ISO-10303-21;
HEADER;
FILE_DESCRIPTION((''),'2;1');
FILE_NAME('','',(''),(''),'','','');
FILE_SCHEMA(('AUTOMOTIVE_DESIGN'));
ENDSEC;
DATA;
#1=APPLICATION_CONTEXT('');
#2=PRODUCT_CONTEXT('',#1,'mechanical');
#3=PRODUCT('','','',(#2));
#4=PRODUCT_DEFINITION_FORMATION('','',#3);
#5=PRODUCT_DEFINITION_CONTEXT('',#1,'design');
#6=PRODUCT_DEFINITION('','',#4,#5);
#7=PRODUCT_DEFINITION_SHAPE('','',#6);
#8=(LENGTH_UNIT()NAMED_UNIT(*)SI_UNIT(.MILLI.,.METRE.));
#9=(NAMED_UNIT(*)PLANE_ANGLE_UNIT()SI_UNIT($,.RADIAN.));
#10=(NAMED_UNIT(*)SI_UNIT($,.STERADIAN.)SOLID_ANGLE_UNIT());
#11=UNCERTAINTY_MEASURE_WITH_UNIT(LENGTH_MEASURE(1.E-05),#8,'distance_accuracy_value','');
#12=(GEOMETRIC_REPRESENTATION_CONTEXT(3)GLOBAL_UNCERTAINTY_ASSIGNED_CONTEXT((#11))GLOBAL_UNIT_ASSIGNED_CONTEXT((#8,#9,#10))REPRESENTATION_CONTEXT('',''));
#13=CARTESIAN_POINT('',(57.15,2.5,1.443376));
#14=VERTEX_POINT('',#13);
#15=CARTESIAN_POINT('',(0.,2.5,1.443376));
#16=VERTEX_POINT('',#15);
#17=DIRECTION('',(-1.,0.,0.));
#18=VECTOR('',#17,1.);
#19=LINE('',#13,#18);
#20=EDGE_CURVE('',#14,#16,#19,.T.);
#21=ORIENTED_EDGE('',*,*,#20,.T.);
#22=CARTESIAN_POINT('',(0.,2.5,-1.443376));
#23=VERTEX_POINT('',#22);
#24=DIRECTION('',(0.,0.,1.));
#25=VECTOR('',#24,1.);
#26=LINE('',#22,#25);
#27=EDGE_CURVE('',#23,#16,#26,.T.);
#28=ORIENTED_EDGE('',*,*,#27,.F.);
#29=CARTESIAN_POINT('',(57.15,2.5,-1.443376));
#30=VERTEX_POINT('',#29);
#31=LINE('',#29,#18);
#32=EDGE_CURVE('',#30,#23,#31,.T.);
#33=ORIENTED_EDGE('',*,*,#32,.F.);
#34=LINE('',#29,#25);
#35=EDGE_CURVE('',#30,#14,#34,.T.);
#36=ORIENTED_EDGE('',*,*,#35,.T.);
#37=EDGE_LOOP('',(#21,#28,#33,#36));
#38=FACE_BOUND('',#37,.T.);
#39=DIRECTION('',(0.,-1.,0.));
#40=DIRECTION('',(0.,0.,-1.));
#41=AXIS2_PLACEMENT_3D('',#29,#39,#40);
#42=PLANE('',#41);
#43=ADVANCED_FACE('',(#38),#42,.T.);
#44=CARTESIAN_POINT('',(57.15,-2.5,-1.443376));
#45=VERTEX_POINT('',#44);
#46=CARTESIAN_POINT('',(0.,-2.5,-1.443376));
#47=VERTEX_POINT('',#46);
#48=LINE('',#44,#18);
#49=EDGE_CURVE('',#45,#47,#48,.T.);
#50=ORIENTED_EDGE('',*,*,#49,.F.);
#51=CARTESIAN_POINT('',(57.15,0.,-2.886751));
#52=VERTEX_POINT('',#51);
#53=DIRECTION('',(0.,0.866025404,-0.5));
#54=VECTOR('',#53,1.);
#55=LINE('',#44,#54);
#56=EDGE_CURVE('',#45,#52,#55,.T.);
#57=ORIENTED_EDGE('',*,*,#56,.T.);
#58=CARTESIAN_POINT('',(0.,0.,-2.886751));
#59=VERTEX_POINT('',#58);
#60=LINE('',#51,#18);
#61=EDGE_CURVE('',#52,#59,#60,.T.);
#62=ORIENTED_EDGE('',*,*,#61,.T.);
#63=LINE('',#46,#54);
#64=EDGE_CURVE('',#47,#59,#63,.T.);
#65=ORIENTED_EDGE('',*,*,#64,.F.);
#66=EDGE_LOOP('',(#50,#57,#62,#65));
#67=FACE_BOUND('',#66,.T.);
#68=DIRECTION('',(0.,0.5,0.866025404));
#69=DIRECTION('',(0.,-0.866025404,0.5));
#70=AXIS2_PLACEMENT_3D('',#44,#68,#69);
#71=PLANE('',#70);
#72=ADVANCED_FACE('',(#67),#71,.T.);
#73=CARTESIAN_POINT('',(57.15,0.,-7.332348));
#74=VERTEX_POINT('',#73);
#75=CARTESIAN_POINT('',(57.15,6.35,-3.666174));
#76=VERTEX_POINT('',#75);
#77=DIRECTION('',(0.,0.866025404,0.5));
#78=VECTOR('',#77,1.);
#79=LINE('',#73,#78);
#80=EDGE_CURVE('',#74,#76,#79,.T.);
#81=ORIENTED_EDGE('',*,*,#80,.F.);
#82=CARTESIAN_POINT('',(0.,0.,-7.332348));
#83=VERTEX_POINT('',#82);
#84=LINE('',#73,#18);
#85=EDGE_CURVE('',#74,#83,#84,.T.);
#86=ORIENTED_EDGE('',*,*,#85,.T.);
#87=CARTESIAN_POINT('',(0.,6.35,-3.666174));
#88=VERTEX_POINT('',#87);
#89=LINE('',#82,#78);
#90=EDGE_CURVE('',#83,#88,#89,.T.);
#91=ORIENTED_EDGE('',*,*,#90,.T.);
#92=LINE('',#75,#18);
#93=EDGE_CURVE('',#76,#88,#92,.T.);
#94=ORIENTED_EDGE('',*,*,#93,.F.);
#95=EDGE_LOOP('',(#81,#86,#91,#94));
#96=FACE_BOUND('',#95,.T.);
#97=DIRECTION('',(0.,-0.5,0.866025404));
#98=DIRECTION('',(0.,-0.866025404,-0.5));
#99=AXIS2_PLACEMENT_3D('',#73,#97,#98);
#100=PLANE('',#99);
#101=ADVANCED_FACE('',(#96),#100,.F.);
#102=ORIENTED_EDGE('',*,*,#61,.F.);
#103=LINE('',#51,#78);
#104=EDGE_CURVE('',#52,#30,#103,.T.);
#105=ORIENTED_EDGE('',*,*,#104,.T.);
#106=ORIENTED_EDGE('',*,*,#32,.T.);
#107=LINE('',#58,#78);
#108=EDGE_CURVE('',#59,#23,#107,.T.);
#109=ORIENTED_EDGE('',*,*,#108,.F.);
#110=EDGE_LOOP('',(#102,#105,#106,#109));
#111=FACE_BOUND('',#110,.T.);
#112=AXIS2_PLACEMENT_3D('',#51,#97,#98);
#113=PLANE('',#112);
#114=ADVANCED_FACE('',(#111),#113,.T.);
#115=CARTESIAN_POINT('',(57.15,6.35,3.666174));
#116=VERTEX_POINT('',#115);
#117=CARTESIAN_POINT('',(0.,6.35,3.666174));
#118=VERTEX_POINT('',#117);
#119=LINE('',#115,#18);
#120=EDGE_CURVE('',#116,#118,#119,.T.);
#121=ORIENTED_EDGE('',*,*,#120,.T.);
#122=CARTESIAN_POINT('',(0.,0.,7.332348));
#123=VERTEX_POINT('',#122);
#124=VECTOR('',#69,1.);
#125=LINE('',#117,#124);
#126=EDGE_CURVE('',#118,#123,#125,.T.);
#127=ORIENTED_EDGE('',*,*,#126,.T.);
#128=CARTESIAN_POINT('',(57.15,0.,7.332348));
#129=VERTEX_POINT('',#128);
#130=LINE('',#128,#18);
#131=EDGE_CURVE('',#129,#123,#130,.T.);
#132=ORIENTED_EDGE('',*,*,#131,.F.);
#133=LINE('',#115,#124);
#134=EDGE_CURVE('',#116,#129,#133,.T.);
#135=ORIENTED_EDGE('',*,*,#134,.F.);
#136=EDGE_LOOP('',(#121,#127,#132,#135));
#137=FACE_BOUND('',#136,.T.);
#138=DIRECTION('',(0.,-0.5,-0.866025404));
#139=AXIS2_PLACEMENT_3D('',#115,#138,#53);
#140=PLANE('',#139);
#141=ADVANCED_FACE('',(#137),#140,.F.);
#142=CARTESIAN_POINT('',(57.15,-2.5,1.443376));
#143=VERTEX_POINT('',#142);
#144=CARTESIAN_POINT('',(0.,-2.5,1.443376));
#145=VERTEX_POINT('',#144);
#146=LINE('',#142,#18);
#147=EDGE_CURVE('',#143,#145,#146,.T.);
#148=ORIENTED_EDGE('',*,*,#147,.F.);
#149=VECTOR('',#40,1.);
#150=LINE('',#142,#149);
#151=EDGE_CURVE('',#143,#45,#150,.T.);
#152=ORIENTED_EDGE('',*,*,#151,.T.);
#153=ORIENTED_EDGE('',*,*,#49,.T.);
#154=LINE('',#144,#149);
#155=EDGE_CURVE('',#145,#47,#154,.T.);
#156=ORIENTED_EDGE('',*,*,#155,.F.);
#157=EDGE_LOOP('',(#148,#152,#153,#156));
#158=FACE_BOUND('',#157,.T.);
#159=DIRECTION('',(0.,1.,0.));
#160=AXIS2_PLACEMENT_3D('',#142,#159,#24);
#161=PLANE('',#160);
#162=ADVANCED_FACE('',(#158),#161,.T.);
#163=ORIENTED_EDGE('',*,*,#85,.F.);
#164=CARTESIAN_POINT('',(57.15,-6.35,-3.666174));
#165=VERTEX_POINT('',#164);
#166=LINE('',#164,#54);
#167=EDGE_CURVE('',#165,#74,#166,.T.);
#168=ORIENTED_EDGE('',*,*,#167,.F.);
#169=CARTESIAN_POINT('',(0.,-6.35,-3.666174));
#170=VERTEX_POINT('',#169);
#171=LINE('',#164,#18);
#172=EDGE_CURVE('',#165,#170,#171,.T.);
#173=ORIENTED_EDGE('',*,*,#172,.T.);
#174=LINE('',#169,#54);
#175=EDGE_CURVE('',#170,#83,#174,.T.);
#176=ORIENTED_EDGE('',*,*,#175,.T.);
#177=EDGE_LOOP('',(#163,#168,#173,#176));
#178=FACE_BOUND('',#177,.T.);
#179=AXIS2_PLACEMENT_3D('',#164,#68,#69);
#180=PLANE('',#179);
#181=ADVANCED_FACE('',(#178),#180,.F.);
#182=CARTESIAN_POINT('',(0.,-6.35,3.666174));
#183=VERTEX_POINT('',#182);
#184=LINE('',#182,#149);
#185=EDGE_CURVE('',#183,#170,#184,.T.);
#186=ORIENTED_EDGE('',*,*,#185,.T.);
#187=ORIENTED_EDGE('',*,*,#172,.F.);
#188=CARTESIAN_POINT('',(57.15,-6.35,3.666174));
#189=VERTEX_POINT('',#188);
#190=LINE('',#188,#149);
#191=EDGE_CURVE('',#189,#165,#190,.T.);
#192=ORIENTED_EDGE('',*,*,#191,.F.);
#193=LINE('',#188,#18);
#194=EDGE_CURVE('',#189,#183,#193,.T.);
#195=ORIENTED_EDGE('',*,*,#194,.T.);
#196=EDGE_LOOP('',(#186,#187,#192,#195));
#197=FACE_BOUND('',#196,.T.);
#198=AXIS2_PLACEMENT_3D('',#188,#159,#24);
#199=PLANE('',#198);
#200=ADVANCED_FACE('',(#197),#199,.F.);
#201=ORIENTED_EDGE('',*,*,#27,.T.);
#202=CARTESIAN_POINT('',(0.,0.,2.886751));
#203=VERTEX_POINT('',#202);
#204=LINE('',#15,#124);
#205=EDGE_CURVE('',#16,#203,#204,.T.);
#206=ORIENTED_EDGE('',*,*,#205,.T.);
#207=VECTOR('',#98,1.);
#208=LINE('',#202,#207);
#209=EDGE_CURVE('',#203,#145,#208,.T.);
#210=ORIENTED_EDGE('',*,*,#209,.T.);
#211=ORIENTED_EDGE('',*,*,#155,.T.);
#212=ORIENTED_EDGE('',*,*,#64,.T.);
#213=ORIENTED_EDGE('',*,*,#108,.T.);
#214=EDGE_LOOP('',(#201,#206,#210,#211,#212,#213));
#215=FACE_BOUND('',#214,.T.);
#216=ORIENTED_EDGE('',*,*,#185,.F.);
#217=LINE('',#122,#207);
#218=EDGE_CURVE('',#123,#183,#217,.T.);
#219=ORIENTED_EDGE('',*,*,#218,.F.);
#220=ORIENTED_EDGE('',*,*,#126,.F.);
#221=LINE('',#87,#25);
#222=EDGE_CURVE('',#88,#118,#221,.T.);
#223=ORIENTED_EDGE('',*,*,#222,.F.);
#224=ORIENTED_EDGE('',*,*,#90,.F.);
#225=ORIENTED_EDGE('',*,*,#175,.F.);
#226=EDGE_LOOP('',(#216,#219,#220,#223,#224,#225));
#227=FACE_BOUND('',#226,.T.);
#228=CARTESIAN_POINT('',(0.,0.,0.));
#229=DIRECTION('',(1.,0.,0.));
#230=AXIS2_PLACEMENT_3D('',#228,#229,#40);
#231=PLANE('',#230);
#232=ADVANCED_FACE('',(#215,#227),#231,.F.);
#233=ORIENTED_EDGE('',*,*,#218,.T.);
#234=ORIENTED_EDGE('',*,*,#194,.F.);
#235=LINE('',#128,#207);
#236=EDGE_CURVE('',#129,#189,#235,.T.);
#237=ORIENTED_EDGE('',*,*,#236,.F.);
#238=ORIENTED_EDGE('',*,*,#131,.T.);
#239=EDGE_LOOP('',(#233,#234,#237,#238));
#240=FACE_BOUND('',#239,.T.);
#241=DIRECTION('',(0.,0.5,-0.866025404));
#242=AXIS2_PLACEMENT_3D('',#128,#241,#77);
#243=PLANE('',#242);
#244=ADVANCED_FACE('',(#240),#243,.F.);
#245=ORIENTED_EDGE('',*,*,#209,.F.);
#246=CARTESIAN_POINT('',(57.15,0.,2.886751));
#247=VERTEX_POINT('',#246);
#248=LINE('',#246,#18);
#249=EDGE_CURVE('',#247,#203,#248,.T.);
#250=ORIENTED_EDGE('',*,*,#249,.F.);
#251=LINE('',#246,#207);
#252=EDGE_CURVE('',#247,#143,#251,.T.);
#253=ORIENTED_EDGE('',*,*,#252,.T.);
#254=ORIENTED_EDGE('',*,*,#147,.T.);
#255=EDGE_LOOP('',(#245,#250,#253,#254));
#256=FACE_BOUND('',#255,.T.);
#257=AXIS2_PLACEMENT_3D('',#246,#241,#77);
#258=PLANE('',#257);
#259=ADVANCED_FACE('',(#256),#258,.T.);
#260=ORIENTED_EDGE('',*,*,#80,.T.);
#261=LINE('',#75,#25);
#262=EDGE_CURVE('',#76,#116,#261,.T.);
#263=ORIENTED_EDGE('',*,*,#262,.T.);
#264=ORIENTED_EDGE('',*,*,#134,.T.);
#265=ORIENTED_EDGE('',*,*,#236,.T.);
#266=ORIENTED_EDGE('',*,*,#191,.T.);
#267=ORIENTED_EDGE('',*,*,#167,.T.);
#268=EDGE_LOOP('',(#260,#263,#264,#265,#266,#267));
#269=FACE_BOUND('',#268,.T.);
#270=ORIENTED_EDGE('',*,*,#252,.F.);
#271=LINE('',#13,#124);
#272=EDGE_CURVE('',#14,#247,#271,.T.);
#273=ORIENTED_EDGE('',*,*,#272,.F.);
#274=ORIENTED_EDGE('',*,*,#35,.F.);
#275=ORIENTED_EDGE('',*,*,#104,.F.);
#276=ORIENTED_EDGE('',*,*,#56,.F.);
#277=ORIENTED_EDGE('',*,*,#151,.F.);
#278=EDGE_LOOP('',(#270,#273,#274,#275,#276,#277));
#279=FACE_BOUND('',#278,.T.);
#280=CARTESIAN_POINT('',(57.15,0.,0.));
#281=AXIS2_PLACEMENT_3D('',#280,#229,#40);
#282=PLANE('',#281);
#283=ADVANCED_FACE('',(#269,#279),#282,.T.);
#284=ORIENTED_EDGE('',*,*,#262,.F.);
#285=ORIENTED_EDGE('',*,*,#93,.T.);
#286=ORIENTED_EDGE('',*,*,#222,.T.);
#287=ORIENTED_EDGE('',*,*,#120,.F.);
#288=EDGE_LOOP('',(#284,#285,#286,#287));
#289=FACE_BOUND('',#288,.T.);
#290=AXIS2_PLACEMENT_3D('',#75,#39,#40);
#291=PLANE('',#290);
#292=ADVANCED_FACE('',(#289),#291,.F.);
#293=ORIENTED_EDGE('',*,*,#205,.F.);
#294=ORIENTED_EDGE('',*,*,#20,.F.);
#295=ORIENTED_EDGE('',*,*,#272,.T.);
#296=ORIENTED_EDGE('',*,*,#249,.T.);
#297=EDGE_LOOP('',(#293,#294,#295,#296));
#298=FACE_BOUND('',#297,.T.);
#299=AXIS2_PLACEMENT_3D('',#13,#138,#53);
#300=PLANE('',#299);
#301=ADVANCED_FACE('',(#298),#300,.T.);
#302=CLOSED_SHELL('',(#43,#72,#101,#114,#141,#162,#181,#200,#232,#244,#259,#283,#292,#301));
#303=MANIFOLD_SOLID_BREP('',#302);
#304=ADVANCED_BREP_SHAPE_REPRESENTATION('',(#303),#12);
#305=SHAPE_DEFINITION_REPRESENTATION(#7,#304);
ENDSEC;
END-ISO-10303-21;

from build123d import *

# Parameters (mm, degrees)
BOSS_EXTRUDE1_DEPTH = 57.15


with BuildPart() as part:
    # Sketch1 → Boss-Extrude1 (new body)
    with BuildSketch(Plane(origin=(0, 0, 0), x_dir=(0, 0, -1), z_dir=(1, 0, 0))):
        Polygon((7.332348419, 0), (3.666174209, 6.35), (-3.666174209, 6.35), (-7.332348419, 0), (-3.666174209, -6.35), (3.666174209, -6.35), align=None)
        Polygon((2.886751346, 0), (1.443375673, 2.5), (-1.443375673, 2.5), (-2.886751346, 0), (-1.443375673, -2.5), (1.443375673, -2.5), align=None, mode=Mode.SUBTRACT)
    extrude(amount=BOSS_EXTRUDE1_DEPTH)


solid = part.part
